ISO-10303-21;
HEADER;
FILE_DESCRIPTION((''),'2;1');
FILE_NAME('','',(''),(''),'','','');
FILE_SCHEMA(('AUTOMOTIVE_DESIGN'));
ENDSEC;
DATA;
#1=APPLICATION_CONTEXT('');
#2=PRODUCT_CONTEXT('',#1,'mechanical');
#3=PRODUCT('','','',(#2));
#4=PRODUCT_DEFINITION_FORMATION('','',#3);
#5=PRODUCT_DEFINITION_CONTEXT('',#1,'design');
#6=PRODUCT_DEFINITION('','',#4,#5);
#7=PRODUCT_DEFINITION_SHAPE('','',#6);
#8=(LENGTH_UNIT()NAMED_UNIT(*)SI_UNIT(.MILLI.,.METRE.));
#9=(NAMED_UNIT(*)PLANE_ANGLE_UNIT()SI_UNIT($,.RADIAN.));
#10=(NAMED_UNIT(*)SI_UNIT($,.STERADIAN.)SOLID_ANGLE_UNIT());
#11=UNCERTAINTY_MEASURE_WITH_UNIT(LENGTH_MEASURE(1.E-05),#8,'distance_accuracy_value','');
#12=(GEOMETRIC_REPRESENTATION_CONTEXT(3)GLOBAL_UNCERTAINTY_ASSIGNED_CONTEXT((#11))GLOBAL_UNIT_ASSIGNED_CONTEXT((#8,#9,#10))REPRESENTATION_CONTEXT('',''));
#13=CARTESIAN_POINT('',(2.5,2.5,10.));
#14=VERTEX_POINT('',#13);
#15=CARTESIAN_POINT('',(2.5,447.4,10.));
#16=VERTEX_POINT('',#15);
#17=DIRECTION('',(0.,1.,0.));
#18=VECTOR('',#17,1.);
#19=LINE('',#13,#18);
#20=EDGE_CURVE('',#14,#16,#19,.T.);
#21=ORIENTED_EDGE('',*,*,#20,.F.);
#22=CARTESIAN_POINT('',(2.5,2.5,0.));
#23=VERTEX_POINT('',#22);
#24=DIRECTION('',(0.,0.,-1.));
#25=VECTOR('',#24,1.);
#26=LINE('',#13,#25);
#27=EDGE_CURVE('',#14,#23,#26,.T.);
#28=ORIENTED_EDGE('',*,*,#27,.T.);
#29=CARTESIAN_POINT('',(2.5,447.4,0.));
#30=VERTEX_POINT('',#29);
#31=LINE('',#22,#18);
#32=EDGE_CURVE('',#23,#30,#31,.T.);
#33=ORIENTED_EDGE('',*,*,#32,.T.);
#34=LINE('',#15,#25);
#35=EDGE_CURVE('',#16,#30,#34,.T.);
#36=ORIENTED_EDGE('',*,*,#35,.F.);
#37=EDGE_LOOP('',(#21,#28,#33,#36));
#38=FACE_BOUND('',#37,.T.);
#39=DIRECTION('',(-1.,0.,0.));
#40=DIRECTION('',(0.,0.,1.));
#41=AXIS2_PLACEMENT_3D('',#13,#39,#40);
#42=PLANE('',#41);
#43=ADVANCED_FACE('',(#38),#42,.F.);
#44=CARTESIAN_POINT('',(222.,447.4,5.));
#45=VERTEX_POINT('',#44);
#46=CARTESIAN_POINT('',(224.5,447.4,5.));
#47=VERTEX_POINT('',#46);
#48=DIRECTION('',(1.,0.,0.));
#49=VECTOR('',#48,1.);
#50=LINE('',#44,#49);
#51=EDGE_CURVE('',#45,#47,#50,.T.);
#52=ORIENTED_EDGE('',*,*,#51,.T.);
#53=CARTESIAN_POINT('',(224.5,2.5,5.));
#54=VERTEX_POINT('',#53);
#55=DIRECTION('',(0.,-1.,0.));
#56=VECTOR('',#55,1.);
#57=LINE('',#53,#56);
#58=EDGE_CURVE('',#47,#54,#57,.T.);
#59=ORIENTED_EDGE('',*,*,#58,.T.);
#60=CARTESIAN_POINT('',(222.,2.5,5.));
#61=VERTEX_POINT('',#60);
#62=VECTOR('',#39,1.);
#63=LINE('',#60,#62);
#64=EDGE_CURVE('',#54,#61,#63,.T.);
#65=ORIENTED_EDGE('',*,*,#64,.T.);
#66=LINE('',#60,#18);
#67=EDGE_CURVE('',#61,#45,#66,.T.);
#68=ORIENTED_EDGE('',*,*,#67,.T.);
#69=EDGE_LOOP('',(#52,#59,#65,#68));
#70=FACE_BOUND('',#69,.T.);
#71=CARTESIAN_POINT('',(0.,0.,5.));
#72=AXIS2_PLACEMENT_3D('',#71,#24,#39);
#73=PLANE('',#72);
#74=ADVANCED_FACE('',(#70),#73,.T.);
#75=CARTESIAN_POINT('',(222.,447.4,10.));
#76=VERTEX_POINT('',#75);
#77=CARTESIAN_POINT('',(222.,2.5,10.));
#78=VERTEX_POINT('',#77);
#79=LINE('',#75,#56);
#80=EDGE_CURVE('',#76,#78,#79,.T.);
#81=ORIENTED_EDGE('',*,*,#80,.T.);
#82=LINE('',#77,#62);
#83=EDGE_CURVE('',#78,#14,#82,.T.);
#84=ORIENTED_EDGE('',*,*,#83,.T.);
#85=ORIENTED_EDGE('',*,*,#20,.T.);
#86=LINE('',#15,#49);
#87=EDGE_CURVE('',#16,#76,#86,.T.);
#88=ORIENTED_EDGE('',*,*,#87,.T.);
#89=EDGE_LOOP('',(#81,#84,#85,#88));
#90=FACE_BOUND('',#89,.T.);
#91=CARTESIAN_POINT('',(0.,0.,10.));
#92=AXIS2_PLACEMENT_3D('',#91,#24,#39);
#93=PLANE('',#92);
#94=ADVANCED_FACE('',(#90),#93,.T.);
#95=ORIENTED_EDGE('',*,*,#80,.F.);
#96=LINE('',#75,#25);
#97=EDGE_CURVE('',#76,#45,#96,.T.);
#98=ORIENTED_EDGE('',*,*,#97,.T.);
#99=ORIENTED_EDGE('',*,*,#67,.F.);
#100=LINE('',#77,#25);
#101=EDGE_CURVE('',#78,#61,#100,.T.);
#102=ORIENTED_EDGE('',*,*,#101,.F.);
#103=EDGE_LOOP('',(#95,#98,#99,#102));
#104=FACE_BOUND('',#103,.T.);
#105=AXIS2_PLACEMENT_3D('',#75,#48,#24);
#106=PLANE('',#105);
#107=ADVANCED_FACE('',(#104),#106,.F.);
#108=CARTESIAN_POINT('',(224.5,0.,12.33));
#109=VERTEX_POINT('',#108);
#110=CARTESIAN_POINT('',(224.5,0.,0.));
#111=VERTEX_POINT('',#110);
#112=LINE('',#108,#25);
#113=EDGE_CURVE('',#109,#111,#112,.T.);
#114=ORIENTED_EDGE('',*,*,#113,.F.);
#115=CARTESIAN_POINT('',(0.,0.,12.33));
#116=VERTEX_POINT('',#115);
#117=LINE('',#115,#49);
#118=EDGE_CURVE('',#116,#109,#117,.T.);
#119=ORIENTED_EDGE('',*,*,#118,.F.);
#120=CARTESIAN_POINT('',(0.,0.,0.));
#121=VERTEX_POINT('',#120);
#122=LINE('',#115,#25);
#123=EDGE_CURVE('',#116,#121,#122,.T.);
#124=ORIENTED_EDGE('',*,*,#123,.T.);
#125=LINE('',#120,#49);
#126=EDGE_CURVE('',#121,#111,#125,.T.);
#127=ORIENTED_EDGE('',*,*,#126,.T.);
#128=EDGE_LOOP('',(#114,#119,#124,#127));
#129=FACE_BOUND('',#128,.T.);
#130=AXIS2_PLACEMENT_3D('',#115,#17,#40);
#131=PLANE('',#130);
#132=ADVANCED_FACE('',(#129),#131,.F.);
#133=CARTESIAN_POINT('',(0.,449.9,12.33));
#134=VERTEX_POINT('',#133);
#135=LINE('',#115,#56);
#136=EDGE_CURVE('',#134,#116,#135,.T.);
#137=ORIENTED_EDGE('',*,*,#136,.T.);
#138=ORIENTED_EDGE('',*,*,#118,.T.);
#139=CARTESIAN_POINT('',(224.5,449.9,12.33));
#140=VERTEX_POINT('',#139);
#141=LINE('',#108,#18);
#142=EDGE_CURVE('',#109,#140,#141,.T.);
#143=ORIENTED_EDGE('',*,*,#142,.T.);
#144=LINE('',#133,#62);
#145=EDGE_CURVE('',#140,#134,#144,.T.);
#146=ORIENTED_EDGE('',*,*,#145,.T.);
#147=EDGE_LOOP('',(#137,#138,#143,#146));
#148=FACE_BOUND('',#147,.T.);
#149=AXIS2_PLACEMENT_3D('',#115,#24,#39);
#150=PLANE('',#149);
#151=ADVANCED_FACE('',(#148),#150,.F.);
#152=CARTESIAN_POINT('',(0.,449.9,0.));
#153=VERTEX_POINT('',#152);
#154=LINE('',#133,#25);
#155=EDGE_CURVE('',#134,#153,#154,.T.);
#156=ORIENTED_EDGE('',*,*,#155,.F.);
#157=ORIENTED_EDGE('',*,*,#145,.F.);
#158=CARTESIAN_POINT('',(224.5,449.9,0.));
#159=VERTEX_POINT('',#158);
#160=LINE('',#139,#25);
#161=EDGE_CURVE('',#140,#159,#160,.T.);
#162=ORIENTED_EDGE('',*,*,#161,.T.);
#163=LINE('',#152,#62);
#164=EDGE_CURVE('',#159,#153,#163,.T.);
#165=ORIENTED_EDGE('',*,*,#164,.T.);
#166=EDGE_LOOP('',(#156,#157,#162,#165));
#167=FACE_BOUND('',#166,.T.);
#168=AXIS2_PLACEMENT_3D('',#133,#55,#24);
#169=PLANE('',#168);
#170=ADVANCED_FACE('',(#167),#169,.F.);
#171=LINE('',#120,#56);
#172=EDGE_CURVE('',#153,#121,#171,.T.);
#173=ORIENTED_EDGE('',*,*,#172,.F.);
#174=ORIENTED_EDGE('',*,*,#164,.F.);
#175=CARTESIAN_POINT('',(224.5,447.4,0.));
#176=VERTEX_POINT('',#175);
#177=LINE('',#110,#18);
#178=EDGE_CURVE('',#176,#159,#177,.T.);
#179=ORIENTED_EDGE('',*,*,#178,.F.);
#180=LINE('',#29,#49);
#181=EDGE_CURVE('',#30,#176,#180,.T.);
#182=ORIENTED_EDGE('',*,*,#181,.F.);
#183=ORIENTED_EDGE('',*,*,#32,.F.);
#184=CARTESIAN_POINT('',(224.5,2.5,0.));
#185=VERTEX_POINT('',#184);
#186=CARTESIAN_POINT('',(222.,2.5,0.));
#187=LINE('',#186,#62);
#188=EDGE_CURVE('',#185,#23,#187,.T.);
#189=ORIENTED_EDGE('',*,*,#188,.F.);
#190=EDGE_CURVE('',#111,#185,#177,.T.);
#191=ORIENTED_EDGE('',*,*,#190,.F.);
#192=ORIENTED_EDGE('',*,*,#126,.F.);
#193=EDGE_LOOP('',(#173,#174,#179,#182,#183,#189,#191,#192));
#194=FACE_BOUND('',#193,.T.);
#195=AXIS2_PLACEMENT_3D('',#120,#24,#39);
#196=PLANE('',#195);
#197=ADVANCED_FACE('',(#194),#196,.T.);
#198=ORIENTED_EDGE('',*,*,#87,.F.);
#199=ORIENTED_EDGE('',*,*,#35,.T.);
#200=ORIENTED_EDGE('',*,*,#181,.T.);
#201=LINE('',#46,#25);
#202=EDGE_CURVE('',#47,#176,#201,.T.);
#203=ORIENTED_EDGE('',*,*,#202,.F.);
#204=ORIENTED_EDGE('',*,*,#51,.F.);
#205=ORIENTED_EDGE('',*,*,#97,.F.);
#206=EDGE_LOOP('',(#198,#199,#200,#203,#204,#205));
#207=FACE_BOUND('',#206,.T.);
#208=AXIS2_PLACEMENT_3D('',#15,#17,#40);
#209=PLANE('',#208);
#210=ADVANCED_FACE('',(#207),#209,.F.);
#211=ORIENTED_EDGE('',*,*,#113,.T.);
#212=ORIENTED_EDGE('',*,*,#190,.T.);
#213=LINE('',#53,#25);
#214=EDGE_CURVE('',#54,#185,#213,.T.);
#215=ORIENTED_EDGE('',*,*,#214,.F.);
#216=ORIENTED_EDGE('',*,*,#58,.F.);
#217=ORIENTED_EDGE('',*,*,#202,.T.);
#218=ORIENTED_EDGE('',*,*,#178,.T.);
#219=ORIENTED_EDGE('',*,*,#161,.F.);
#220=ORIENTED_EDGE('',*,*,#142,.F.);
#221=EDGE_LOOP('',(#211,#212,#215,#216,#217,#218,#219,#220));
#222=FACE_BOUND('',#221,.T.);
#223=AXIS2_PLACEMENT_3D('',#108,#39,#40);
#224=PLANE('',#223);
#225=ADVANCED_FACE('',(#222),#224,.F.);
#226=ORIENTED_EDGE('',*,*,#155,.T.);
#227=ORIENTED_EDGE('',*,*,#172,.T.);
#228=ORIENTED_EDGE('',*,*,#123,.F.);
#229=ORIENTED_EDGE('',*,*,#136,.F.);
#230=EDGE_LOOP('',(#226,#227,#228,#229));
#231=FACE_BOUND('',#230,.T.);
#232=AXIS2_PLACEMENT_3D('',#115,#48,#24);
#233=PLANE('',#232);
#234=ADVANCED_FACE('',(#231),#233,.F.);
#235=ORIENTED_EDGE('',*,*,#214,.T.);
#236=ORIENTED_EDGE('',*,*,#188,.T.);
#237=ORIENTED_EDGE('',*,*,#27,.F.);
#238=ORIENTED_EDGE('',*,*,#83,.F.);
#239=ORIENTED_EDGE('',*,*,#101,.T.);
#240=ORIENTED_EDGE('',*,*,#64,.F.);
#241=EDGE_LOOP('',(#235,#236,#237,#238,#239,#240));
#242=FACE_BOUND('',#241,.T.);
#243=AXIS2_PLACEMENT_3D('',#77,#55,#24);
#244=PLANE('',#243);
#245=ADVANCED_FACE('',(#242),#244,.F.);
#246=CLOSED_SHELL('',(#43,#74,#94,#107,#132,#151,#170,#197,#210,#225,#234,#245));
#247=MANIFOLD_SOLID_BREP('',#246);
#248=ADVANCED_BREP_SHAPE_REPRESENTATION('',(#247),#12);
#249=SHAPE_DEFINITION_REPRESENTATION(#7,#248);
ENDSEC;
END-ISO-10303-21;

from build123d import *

# Parameters (mm, degrees)
SZKIC1_W                    = 224.5
SZKIC1_H                    = 449.9
DODANIE_WYCI_GNI_CIE1_DEPTH = 12.33
SZKIC2_W                    = 219.5
SZKIC2_H                    = 444.9
WYTNIJ_WYCI_GNI_CIE1_DEPTH  = 10
SZKIC4_W                    = 2.5
SZKIC4_H                    = 444.9
WYTNIJ_WYCI_GNI_CIE3_DEPTH  = 5


with BuildPart() as part:
    # Szkic1 → Dodanie-wyciągnięcie1 (new body)
    with BuildSketch(Plane.XY):
        with Locations((112.25, 224.95)):
            Rectangle(SZKIC1_W, SZKIC1_H)
    extrude(amount=DODANIE_WYCI_GNI_CIE1_DEPTH)

    # Szkic2 → Wytnij-wyciągnięcie1 (cut)
    with BuildSketch(Plane(origin=(0, 0, 0), x_dir=(-1, 0, 0), z_dir=(0, 0, -1))):
        with Locations((-112.25, 224.95)):
            Rectangle(SZKIC2_W, SZKIC2_H)
    extrude(amount=-WYTNIJ_WYCI_GNI_CIE1_DEPTH, mode=Mode.SUBTRACT)

    # Szkic4 → Wytnij-wyciągnięcie3 (cut)
    with BuildSketch(Plane(origin=(0, 0, 0), x_dir=(-1, 0, 0), z_dir=(0, 0, -1))):
        with Locations((-223.25, 224.95)):
            Rectangle(SZKIC4_W, SZKIC4_H)
    extrude(amount=-WYTNIJ_WYCI_GNI_CIE3_DEPTH, mode=Mode.SUBTRACT)


solid = part.part
